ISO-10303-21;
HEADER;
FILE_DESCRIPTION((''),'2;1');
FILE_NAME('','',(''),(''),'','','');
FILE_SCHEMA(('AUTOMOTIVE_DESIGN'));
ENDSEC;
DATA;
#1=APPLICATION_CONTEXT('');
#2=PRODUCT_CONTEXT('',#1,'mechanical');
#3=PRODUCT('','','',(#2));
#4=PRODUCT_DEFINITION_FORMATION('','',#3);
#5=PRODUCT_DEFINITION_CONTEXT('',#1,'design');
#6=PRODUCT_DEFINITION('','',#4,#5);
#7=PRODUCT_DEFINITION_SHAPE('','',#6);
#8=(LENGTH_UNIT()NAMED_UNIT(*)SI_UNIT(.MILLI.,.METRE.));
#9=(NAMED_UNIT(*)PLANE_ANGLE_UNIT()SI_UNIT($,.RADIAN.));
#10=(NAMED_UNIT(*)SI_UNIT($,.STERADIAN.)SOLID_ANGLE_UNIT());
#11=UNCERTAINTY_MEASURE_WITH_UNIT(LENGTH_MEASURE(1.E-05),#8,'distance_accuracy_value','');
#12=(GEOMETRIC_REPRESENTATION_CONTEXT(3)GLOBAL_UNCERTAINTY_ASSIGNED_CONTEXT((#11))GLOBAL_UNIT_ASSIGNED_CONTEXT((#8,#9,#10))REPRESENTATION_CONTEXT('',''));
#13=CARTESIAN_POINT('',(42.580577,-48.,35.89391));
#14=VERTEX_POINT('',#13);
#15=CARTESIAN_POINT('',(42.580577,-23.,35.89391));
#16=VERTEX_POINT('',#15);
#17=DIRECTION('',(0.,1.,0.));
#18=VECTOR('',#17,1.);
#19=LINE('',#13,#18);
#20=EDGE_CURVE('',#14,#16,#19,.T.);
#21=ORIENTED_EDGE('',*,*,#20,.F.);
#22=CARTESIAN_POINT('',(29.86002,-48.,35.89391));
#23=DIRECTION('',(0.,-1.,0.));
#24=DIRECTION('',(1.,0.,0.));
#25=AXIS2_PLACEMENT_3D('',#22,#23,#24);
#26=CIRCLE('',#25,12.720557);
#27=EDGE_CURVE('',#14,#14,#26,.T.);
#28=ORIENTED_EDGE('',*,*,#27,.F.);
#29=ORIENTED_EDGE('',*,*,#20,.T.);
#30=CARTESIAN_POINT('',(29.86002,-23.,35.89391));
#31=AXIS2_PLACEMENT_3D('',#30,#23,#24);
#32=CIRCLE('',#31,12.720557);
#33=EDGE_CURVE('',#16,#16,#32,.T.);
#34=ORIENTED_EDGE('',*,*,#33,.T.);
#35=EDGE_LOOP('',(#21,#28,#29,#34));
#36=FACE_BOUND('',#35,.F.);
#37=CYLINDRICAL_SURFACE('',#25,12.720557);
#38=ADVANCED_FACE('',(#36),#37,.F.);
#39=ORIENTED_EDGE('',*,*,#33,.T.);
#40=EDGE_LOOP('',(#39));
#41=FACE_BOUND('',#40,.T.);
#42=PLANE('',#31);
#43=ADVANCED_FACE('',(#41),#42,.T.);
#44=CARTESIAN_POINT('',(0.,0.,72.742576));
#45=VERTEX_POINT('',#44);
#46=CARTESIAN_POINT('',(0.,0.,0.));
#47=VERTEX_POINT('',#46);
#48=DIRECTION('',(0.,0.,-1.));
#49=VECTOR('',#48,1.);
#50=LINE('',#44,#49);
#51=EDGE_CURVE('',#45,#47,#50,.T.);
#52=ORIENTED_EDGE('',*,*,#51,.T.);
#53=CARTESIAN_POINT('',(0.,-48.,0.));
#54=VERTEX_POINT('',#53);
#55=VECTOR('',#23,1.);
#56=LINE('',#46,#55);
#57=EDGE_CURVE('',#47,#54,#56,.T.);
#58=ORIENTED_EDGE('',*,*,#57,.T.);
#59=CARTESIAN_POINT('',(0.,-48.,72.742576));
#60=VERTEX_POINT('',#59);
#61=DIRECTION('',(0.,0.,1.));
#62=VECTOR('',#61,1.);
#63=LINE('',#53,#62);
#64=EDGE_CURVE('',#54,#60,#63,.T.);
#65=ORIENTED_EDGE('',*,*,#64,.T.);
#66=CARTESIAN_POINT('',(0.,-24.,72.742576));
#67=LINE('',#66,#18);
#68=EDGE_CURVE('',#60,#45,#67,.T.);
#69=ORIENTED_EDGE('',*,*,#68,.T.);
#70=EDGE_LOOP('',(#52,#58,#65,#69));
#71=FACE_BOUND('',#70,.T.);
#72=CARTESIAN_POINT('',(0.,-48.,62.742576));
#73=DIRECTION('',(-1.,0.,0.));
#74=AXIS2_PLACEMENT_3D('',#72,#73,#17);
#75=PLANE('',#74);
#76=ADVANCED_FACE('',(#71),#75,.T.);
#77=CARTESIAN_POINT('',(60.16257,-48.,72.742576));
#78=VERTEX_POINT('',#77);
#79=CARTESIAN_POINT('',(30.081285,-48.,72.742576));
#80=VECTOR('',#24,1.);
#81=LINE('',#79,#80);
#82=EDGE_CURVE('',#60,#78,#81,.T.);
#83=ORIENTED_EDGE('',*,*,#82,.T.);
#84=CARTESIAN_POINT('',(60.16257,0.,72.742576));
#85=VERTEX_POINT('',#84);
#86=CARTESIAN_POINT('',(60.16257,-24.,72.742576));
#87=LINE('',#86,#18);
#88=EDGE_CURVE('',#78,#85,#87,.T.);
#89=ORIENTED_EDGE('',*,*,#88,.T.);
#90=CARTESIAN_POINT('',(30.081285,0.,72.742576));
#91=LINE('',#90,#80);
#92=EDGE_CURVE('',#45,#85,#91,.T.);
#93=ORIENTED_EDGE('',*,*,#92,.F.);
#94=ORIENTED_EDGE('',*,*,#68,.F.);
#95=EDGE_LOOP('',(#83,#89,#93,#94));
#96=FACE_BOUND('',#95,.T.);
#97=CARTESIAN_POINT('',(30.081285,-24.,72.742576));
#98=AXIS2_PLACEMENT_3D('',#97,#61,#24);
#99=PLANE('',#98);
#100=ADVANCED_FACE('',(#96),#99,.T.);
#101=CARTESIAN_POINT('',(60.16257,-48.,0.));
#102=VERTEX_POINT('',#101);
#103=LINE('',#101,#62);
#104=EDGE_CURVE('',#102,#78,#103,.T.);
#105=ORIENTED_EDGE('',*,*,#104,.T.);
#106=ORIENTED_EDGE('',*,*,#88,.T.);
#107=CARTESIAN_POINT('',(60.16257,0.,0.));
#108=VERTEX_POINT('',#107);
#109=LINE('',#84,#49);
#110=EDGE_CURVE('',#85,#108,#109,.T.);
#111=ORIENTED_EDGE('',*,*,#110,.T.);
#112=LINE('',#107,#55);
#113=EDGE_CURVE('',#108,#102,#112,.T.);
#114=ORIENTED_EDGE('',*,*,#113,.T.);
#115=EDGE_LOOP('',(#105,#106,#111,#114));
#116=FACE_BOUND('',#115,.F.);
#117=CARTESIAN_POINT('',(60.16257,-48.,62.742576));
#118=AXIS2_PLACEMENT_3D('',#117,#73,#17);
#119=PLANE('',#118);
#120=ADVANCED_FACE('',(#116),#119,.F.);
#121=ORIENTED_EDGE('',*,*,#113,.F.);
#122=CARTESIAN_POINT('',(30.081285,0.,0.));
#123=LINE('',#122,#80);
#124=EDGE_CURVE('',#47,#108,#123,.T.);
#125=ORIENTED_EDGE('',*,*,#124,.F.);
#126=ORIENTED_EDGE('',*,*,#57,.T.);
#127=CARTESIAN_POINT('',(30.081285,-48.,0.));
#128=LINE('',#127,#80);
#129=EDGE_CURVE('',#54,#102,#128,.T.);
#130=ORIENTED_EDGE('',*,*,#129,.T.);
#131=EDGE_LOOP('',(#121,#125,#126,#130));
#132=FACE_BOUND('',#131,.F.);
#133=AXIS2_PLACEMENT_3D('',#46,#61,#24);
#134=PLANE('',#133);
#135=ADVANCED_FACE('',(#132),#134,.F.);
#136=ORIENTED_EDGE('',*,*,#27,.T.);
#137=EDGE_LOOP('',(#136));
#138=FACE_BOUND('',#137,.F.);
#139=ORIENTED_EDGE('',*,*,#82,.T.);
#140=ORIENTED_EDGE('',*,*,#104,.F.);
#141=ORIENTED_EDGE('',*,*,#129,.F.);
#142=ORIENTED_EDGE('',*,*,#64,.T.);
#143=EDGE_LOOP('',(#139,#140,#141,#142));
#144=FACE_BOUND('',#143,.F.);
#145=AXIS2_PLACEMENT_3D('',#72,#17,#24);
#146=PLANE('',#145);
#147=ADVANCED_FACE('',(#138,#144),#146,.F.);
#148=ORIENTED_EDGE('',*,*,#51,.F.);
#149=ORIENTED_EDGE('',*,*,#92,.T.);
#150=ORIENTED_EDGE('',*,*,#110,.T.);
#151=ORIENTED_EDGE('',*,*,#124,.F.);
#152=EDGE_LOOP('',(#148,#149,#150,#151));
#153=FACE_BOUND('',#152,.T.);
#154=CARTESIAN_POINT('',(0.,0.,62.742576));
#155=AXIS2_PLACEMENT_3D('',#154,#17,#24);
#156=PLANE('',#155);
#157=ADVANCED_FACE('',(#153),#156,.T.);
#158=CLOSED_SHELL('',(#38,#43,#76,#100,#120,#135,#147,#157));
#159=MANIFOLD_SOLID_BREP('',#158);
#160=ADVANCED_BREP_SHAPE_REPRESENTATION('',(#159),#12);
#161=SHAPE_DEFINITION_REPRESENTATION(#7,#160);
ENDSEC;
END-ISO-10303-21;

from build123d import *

# Parameters (mm, degrees)
F0_W      = 60.16257
F0_H      = 62.742576
F1_DEPTH  = 48
F1_FACE_W = 60.16257
F1_FACE_H = 48
F2_DEPTH  = 10
F4_R      = 12.38494
F5_DEPTH  = 30
F3_R      = 12.720557
F6_DEPTH  = 25


with BuildPart() as f1:
    # F0 (on Front) → F1 (new body)
    with BuildSketch(Plane.XZ):
        with Locations((30.081285, 31.371288)):
            Rectangle(F0_W, F0_H)
    extrude(amount=F1_DEPTH)

    # F1_face (on face) → F2 (join)
    with BuildSketch(Plane(origin=(30.081285, -24, 62.742576), x_dir=(1, 0, 0), z_dir=(0, 0, 1))):
        Rectangle(F1_FACE_W, F1_FACE_H)
    extrude(amount=F2_DEPTH)

    # F4 (on face) → F5 (join)
    with BuildSketch(Plane.XZ.offset(48)):
        with Locations((30.478884, 35.89391)):
            Circle(F4_R)
    extrude(amount=-F5_DEPTH)

    # F3 (on face) → F6 (cut)
    with BuildSketch(Plane.XZ.offset(48)):
        with Locations((29.86002, 35.89391)):
            Circle(F3_R)
    extrude(amount=-F6_DEPTH, mode=Mode.SUBTRACT)


solid = f1.part
